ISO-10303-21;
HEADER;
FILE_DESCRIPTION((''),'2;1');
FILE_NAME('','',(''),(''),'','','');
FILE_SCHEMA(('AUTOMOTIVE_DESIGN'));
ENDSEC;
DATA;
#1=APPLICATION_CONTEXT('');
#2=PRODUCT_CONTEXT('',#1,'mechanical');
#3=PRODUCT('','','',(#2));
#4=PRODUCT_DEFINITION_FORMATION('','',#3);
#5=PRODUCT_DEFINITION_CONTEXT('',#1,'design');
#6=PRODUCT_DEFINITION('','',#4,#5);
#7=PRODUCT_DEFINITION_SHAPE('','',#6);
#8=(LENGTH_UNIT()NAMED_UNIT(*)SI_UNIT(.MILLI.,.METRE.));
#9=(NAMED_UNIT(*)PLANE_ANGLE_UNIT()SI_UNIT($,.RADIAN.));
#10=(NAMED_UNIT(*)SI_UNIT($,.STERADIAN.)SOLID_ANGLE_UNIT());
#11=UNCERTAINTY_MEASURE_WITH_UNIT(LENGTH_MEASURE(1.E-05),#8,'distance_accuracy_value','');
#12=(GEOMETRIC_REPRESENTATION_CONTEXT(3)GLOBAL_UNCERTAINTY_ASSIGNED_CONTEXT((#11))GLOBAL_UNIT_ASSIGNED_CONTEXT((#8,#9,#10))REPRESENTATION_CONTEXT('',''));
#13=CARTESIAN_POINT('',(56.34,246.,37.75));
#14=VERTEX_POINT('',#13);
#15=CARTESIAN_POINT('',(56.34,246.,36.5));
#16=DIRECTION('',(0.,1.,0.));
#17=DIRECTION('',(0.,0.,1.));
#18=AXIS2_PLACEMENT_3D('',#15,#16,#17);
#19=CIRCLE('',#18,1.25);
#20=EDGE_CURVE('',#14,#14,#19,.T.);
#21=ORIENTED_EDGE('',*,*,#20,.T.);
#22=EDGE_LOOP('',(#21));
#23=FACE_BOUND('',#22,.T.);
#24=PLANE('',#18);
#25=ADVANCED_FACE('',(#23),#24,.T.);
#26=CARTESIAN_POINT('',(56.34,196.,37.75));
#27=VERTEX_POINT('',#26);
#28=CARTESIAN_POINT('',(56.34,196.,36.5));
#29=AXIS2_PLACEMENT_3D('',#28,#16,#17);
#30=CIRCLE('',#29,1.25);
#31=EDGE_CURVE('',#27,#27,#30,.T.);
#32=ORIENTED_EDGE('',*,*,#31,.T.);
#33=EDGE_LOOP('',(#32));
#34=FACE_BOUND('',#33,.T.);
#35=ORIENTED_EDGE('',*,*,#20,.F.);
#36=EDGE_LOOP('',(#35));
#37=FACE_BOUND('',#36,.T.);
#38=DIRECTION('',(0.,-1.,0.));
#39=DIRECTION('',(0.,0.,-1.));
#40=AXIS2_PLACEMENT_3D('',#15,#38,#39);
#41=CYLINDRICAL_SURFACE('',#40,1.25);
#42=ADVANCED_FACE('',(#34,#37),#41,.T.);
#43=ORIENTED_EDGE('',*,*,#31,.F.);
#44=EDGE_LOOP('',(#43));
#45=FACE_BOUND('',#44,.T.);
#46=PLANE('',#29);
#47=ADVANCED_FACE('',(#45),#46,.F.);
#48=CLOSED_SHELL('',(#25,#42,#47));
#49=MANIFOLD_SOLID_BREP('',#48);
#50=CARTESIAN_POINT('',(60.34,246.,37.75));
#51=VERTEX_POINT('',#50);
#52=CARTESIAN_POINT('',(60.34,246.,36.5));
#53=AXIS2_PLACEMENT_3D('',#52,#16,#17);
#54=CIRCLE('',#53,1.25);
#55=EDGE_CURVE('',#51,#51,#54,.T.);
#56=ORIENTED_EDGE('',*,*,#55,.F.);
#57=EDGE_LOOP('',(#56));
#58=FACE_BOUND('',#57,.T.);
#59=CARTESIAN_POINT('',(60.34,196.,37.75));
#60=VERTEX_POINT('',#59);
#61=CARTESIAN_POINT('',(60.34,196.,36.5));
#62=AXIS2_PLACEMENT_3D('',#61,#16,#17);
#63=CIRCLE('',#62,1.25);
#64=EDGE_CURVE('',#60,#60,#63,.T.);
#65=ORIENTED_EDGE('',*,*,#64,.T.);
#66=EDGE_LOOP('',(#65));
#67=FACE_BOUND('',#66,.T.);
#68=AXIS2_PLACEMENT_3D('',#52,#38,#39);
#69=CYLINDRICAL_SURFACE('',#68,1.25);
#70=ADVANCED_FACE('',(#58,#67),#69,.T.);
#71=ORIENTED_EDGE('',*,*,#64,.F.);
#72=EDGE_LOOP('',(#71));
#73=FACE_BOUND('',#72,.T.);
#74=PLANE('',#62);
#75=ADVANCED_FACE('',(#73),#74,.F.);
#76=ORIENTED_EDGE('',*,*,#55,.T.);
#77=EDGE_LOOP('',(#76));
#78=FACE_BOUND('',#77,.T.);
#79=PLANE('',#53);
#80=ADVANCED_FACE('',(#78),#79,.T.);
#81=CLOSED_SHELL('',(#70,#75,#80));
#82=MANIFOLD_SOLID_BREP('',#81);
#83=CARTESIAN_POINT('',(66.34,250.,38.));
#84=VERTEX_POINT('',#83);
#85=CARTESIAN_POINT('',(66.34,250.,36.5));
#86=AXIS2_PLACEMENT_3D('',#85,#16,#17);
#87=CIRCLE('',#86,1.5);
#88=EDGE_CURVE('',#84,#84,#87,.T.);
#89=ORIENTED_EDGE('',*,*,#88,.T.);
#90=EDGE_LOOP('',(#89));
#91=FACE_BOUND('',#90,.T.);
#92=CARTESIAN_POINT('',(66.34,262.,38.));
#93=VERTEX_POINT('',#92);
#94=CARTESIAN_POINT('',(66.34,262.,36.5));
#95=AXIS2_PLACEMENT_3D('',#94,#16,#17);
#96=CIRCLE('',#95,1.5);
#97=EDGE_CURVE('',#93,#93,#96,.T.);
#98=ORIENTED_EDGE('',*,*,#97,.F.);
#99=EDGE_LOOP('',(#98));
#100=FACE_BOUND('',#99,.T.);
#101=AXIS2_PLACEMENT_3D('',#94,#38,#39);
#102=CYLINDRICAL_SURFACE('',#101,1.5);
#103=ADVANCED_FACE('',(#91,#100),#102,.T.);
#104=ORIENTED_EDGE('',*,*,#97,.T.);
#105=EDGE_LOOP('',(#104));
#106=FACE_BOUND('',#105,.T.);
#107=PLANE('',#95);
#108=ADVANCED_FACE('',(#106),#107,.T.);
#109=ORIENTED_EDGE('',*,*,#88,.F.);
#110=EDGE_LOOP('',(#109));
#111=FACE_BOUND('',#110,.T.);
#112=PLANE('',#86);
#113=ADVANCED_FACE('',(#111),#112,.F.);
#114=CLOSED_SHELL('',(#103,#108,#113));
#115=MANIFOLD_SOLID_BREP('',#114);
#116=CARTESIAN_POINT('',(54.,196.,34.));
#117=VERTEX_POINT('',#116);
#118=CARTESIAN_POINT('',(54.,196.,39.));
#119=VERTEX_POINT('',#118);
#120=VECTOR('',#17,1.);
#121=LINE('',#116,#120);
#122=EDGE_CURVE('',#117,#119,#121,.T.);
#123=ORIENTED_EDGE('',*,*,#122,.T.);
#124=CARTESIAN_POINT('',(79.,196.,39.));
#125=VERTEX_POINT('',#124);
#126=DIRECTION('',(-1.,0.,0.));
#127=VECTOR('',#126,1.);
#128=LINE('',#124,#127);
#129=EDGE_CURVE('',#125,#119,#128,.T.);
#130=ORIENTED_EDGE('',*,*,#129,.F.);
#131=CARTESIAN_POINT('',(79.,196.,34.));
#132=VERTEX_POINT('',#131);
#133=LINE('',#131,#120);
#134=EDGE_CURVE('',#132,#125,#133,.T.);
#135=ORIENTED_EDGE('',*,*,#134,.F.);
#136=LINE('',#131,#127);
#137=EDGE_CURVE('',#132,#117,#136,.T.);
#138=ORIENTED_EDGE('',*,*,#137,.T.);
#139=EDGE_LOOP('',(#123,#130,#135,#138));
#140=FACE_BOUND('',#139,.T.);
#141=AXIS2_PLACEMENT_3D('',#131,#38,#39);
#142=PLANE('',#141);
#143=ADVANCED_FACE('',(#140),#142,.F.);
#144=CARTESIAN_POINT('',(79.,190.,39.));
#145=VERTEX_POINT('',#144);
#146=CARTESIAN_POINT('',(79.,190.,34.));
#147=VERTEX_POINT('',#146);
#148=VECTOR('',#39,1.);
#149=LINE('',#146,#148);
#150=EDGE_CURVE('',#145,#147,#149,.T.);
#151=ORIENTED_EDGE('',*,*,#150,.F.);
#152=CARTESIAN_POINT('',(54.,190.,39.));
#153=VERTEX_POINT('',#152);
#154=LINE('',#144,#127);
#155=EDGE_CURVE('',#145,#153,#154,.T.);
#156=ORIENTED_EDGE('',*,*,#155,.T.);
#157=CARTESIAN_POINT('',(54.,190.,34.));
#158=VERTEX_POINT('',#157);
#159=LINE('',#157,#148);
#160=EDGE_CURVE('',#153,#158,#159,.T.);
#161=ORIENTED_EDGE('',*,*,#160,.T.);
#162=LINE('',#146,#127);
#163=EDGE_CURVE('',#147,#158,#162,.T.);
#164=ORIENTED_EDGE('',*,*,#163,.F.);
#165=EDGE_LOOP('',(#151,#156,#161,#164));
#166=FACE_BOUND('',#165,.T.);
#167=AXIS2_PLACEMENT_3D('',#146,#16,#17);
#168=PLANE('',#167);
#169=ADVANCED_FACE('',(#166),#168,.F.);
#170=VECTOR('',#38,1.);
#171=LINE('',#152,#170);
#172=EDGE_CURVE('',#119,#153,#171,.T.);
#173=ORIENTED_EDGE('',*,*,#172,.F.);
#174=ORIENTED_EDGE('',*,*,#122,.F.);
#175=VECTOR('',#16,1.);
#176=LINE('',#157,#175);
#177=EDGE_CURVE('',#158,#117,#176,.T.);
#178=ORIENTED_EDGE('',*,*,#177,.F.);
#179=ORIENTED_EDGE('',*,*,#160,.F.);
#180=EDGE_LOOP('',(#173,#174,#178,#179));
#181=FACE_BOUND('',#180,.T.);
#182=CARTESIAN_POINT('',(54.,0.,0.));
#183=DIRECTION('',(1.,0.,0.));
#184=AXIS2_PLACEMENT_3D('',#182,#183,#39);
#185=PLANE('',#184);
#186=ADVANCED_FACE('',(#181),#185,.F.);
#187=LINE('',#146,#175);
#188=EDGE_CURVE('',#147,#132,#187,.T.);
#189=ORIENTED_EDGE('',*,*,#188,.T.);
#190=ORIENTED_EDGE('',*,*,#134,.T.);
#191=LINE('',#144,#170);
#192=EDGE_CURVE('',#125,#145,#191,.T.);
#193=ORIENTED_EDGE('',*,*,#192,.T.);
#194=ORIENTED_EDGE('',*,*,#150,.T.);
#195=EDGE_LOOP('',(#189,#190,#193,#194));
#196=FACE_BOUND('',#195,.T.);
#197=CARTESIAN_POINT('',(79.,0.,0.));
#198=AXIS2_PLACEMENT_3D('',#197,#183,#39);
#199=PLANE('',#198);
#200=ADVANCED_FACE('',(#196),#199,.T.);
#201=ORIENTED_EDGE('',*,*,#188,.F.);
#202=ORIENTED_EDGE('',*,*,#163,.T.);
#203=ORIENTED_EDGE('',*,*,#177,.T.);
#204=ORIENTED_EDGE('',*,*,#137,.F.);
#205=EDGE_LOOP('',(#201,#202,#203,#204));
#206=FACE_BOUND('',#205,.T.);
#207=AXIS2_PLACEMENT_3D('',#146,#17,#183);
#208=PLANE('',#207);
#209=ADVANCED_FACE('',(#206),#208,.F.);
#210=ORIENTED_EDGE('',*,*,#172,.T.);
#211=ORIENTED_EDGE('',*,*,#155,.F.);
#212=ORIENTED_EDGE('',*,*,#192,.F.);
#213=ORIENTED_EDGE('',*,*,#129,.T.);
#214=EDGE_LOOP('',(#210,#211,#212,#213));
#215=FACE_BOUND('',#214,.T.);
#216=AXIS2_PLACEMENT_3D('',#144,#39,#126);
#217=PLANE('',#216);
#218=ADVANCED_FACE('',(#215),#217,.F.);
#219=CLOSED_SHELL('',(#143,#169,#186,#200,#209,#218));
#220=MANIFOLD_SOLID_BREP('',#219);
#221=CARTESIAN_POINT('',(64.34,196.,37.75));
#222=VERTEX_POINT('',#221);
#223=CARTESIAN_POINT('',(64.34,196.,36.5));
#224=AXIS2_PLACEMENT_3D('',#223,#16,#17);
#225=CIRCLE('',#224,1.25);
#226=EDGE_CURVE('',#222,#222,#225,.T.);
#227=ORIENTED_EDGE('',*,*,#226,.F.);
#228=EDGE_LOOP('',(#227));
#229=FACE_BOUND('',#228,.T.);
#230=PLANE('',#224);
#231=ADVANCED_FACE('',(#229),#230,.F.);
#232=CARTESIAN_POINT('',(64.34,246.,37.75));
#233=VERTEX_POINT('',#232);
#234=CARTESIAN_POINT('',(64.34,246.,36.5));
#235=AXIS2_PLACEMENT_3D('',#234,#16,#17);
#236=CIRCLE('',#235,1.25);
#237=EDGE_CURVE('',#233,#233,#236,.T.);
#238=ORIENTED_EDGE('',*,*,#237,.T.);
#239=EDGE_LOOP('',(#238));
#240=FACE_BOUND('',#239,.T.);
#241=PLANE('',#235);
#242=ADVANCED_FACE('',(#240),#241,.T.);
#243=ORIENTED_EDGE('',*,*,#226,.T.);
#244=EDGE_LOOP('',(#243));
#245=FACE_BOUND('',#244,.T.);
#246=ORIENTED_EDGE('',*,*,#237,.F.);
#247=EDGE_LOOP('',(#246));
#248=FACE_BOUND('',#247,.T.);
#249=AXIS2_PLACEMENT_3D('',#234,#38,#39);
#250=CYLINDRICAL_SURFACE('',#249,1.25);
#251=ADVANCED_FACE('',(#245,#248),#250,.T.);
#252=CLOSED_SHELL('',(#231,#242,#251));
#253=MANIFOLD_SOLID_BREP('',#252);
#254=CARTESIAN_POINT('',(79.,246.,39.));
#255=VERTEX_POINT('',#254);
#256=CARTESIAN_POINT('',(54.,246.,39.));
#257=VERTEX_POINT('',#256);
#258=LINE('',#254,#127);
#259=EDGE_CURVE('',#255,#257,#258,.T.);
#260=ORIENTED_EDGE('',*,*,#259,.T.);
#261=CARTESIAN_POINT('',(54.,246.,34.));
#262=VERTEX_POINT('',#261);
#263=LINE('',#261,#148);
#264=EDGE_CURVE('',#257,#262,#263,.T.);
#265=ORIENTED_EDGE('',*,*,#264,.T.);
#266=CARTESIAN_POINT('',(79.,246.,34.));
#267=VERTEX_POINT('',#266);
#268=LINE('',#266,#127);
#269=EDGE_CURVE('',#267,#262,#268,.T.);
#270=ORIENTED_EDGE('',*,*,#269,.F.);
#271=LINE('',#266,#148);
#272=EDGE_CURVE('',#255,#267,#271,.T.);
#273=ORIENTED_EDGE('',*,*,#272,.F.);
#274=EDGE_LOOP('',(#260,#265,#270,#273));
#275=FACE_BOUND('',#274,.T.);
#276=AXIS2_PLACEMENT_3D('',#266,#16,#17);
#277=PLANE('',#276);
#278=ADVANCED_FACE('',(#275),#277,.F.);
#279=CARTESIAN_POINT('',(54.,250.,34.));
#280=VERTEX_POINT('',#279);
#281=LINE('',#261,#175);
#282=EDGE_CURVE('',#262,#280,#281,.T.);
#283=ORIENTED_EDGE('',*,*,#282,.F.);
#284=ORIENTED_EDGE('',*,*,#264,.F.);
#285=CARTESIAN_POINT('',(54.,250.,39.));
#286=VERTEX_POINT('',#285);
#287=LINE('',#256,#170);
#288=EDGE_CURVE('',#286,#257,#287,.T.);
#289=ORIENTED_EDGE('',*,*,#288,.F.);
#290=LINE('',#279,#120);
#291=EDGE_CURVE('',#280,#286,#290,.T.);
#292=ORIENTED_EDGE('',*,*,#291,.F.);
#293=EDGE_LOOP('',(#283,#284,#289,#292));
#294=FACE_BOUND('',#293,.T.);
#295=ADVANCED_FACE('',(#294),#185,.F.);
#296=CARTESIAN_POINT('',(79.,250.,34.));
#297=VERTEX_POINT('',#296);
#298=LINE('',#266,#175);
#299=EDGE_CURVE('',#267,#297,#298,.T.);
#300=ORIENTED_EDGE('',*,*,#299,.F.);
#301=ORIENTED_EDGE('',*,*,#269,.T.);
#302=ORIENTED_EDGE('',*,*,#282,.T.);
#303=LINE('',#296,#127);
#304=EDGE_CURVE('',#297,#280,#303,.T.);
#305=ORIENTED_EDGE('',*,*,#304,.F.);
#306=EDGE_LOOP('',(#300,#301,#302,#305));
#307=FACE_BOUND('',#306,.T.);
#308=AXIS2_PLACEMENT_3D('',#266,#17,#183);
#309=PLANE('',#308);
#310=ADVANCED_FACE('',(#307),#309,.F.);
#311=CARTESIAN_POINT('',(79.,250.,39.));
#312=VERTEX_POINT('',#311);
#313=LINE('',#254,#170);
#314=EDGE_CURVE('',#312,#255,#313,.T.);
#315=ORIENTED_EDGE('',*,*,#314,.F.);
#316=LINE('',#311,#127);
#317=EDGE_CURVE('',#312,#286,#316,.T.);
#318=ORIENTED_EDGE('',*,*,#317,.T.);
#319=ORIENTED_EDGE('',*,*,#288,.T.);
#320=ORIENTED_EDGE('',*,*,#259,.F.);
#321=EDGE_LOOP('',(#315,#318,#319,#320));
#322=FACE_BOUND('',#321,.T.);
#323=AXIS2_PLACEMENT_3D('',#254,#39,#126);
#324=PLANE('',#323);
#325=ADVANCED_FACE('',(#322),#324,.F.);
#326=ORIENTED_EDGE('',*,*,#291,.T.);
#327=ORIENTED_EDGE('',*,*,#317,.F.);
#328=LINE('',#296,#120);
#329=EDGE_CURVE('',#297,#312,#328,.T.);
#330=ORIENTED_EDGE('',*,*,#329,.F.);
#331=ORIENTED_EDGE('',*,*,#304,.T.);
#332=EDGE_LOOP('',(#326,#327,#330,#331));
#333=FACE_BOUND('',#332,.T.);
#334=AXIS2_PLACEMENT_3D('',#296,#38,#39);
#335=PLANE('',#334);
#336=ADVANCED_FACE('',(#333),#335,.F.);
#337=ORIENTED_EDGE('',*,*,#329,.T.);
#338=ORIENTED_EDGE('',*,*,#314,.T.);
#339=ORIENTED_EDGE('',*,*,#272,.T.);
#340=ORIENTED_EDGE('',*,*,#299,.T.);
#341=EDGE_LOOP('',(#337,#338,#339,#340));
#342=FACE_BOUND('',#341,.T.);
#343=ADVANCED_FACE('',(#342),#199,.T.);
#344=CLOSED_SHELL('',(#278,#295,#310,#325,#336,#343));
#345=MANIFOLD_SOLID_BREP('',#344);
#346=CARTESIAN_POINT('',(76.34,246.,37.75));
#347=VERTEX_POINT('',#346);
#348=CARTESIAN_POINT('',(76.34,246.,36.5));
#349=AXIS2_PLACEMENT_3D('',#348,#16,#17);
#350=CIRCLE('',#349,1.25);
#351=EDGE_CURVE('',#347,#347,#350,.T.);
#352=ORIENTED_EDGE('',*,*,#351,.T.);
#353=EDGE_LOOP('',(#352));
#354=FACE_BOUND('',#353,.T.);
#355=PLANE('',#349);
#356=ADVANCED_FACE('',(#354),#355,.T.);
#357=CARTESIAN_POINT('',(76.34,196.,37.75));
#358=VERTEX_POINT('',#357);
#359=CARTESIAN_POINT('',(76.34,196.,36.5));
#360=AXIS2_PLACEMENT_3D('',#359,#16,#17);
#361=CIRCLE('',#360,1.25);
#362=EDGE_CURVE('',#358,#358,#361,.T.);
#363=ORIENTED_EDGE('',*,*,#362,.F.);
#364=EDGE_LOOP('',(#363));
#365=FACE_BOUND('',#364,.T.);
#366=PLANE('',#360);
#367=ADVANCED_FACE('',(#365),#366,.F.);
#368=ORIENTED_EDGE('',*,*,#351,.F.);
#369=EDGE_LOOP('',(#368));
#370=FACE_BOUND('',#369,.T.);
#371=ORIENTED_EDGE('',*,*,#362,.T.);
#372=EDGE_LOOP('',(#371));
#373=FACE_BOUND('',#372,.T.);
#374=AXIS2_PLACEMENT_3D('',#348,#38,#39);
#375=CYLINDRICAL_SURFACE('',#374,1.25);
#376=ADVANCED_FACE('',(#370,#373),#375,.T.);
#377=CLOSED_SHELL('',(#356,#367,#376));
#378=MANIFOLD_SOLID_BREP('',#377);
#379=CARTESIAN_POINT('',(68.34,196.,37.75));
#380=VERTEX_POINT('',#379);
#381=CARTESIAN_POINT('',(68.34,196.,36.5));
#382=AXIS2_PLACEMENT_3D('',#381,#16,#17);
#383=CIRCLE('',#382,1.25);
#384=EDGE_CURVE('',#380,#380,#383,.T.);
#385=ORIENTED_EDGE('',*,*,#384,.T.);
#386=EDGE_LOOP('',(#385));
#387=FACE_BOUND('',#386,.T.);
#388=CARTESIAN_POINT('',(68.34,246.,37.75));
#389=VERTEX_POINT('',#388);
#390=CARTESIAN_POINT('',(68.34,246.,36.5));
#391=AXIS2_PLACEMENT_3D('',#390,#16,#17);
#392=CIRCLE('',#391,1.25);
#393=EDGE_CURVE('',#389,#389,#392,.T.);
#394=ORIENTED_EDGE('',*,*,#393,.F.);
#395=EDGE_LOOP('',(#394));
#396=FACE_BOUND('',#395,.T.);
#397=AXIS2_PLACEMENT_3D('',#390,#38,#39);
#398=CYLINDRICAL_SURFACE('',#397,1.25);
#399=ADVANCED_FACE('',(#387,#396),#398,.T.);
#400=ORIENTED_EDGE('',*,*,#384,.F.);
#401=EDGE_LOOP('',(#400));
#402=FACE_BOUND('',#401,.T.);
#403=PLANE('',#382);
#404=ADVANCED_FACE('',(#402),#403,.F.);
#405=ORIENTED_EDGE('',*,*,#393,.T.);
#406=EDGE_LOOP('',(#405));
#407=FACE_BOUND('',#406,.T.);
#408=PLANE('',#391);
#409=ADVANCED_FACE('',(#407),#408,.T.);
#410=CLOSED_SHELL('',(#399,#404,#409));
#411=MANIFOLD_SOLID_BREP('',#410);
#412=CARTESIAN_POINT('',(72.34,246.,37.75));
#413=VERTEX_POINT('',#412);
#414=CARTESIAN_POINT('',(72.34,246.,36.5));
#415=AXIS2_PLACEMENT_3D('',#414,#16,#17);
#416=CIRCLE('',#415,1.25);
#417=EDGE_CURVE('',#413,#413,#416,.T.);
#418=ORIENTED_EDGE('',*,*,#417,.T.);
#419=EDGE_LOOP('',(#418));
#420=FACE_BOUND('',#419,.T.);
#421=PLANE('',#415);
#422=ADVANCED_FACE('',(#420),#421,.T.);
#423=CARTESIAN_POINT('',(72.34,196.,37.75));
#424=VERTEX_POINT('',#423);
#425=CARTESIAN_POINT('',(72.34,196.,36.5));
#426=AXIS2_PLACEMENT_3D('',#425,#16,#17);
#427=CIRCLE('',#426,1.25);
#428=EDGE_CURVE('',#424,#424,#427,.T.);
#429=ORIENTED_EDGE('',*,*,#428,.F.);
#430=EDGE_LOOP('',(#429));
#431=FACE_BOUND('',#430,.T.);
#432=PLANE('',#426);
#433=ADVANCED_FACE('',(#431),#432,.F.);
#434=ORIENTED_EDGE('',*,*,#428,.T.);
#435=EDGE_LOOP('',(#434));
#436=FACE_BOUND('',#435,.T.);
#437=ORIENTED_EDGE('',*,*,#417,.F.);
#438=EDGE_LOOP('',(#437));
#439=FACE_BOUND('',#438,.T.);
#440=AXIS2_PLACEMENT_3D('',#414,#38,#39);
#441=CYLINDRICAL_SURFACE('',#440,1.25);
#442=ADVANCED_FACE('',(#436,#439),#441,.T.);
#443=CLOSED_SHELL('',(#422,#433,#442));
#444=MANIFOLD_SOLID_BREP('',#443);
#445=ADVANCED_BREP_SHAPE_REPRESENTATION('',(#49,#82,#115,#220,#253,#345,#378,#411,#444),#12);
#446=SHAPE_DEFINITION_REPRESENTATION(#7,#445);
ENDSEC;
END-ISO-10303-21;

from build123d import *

# Parameters (mm, degrees)
CROSSHEAD_START    = 54
SKETCH1_W          = 5
SKETCH1_H          = 6
CROSSHEAD_DEPTH    = 25
SMA_SPRING1_START  = 196
SKETCH2_R          = 1.25
SMA_SPRING1_DEPTH  = 50
SMA_SPRING2_START  = 196
SKETCH3_R          = 1.25
SMA_SPRING2_DEPTH  = 50
SMA_SPRING3_START  = 196
SKETCH4_R          = 1.25
SMA_SPRING3_DEPTH  = 50
SMA_SPRING4_START  = 196
SKETCH5_R          = 1.25
SMA_SPRING4_DEPTH  = 50
SMA_SPRING5_START  = 196
SKETCH6_R          = 1.25
SMA_SPRING5_DEPTH  = 50
SMA_SPRING6_START  = 196
SKETCH7_R          = 1.25
SMA_SPRING6_DEPTH  = 50
ANCHOR_PLATE_START = 54
SKETCH8_W          = 5
SKETCH8_H          = 4
ANCHOR_PLATE_DEPTH = 25
HOOK_START         = 250
SKETCH9_R          = 1.5
HOOK_DEPTH         = 12


with BuildPart() as part:
    # Sketch1 → crosshead (new body)
    with BuildSketch(Plane(origin=(0, 0, 0), x_dir=(0, 0, -1), z_dir=(1, 0, 0)).offset(CROSSHEAD_START)):
        with Locations((-36.5, 193)):
            Rectangle(SKETCH1_W, SKETCH1_H)
    extrude(amount=CROSSHEAD_DEPTH)


with BuildPart() as body_2:
    # Sketch2 → sma_spring1 (new body)
    with BuildSketch(Plane(origin=(0, 0, 0), x_dir=(1, 0, 0), z_dir=(0, 1, 0)).offset(SMA_SPRING1_START)):
        with Locations(Location((56.34, -36.5, 0), (0, 0, 270))):
            Circle(SKETCH2_R)
    extrude(amount=SMA_SPRING1_DEPTH)


with BuildPart() as body_3:
    # Sketch3 → sma_spring2 (new body)
    with BuildSketch(Plane(origin=(0, 0, 0), x_dir=(1, 0, 0), z_dir=(0, 1, 0)).offset(SMA_SPRING2_START)):
        with Locations(Location((60.34, -36.5, 0), (0, 0, 270))):
            Circle(SKETCH3_R)
    extrude(amount=SMA_SPRING2_DEPTH)


with BuildPart() as body_4:
    # Sketch4 → sma_spring3 (new body)
    with BuildSketch(Plane(origin=(0, 0, 0), x_dir=(1, 0, 0), z_dir=(0, 1, 0)).offset(SMA_SPRING3_START)):
        with Locations(Location((64.34, -36.5, 0), (0, 0, 270))):
            Circle(SKETCH4_R)
    extrude(amount=SMA_SPRING3_DEPTH)


with BuildPart() as body_5:
    # Sketch5 → sma_spring4 (new body)
    with BuildSketch(Plane(origin=(0, 0, 0), x_dir=(1, 0, 0), z_dir=(0, 1, 0)).offset(SMA_SPRING4_START)):
        with Locations(Location((68.34, -36.5, 0), (0, 0, 270))):
            Circle(SKETCH5_R)
    extrude(amount=SMA_SPRING4_DEPTH)


with BuildPart() as body_6:
    # Sketch6 → sma_spring5 (new body)
    with BuildSketch(Plane(origin=(0, 0, 0), x_dir=(1, 0, 0), z_dir=(0, 1, 0)).offset(SMA_SPRING5_START)):
        with Locations(Location((72.34, -36.5, 0), (0, 0, 270))):
            Circle(SKETCH6_R)
    extrude(amount=SMA_SPRING5_DEPTH)


with BuildPart() as body_7:
    # Sketch7 → sma_spring6 (new body)
    with BuildSketch(Plane(origin=(0, 0, 0), x_dir=(1, 0, 0), z_dir=(0, 1, 0)).offset(SMA_SPRING6_START)):
        with Locations(Location((76.34, -36.5, 0), (0, 0, 270))):
            Circle(SKETCH7_R)
    extrude(amount=SMA_SPRING6_DEPTH)


with BuildPart() as body_8:
    # Sketch8 → anchor_plate (new body)
    with BuildSketch(Plane(origin=(0, 0, 0), x_dir=(0, 0, -1), z_dir=(1, 0, 0)).offset(ANCHOR_PLATE_START)):
        with Locations((-36.5, 248)):
            Rectangle(SKETCH8_W, SKETCH8_H)
    extrude(amount=ANCHOR_PLATE_DEPTH)


with BuildPart() as body_9:
    # Sketch9 → hook (new body)
    with BuildSketch(Plane(origin=(0, 0, 0), x_dir=(1, 0, 0), z_dir=(0, 1, 0)).offset(HOOK_START)):
        with Locations(Location((66.34, -36.5, 0), (0, 0, 270))):
            Circle(SKETCH9_R)
    extrude(amount=HOOK_DEPTH)


solid = Compound([part.part, body_2.part, body_3.part, body_4.part, body_5.part, body_6.part, body_7.part, body_8.part, body_9.part])
